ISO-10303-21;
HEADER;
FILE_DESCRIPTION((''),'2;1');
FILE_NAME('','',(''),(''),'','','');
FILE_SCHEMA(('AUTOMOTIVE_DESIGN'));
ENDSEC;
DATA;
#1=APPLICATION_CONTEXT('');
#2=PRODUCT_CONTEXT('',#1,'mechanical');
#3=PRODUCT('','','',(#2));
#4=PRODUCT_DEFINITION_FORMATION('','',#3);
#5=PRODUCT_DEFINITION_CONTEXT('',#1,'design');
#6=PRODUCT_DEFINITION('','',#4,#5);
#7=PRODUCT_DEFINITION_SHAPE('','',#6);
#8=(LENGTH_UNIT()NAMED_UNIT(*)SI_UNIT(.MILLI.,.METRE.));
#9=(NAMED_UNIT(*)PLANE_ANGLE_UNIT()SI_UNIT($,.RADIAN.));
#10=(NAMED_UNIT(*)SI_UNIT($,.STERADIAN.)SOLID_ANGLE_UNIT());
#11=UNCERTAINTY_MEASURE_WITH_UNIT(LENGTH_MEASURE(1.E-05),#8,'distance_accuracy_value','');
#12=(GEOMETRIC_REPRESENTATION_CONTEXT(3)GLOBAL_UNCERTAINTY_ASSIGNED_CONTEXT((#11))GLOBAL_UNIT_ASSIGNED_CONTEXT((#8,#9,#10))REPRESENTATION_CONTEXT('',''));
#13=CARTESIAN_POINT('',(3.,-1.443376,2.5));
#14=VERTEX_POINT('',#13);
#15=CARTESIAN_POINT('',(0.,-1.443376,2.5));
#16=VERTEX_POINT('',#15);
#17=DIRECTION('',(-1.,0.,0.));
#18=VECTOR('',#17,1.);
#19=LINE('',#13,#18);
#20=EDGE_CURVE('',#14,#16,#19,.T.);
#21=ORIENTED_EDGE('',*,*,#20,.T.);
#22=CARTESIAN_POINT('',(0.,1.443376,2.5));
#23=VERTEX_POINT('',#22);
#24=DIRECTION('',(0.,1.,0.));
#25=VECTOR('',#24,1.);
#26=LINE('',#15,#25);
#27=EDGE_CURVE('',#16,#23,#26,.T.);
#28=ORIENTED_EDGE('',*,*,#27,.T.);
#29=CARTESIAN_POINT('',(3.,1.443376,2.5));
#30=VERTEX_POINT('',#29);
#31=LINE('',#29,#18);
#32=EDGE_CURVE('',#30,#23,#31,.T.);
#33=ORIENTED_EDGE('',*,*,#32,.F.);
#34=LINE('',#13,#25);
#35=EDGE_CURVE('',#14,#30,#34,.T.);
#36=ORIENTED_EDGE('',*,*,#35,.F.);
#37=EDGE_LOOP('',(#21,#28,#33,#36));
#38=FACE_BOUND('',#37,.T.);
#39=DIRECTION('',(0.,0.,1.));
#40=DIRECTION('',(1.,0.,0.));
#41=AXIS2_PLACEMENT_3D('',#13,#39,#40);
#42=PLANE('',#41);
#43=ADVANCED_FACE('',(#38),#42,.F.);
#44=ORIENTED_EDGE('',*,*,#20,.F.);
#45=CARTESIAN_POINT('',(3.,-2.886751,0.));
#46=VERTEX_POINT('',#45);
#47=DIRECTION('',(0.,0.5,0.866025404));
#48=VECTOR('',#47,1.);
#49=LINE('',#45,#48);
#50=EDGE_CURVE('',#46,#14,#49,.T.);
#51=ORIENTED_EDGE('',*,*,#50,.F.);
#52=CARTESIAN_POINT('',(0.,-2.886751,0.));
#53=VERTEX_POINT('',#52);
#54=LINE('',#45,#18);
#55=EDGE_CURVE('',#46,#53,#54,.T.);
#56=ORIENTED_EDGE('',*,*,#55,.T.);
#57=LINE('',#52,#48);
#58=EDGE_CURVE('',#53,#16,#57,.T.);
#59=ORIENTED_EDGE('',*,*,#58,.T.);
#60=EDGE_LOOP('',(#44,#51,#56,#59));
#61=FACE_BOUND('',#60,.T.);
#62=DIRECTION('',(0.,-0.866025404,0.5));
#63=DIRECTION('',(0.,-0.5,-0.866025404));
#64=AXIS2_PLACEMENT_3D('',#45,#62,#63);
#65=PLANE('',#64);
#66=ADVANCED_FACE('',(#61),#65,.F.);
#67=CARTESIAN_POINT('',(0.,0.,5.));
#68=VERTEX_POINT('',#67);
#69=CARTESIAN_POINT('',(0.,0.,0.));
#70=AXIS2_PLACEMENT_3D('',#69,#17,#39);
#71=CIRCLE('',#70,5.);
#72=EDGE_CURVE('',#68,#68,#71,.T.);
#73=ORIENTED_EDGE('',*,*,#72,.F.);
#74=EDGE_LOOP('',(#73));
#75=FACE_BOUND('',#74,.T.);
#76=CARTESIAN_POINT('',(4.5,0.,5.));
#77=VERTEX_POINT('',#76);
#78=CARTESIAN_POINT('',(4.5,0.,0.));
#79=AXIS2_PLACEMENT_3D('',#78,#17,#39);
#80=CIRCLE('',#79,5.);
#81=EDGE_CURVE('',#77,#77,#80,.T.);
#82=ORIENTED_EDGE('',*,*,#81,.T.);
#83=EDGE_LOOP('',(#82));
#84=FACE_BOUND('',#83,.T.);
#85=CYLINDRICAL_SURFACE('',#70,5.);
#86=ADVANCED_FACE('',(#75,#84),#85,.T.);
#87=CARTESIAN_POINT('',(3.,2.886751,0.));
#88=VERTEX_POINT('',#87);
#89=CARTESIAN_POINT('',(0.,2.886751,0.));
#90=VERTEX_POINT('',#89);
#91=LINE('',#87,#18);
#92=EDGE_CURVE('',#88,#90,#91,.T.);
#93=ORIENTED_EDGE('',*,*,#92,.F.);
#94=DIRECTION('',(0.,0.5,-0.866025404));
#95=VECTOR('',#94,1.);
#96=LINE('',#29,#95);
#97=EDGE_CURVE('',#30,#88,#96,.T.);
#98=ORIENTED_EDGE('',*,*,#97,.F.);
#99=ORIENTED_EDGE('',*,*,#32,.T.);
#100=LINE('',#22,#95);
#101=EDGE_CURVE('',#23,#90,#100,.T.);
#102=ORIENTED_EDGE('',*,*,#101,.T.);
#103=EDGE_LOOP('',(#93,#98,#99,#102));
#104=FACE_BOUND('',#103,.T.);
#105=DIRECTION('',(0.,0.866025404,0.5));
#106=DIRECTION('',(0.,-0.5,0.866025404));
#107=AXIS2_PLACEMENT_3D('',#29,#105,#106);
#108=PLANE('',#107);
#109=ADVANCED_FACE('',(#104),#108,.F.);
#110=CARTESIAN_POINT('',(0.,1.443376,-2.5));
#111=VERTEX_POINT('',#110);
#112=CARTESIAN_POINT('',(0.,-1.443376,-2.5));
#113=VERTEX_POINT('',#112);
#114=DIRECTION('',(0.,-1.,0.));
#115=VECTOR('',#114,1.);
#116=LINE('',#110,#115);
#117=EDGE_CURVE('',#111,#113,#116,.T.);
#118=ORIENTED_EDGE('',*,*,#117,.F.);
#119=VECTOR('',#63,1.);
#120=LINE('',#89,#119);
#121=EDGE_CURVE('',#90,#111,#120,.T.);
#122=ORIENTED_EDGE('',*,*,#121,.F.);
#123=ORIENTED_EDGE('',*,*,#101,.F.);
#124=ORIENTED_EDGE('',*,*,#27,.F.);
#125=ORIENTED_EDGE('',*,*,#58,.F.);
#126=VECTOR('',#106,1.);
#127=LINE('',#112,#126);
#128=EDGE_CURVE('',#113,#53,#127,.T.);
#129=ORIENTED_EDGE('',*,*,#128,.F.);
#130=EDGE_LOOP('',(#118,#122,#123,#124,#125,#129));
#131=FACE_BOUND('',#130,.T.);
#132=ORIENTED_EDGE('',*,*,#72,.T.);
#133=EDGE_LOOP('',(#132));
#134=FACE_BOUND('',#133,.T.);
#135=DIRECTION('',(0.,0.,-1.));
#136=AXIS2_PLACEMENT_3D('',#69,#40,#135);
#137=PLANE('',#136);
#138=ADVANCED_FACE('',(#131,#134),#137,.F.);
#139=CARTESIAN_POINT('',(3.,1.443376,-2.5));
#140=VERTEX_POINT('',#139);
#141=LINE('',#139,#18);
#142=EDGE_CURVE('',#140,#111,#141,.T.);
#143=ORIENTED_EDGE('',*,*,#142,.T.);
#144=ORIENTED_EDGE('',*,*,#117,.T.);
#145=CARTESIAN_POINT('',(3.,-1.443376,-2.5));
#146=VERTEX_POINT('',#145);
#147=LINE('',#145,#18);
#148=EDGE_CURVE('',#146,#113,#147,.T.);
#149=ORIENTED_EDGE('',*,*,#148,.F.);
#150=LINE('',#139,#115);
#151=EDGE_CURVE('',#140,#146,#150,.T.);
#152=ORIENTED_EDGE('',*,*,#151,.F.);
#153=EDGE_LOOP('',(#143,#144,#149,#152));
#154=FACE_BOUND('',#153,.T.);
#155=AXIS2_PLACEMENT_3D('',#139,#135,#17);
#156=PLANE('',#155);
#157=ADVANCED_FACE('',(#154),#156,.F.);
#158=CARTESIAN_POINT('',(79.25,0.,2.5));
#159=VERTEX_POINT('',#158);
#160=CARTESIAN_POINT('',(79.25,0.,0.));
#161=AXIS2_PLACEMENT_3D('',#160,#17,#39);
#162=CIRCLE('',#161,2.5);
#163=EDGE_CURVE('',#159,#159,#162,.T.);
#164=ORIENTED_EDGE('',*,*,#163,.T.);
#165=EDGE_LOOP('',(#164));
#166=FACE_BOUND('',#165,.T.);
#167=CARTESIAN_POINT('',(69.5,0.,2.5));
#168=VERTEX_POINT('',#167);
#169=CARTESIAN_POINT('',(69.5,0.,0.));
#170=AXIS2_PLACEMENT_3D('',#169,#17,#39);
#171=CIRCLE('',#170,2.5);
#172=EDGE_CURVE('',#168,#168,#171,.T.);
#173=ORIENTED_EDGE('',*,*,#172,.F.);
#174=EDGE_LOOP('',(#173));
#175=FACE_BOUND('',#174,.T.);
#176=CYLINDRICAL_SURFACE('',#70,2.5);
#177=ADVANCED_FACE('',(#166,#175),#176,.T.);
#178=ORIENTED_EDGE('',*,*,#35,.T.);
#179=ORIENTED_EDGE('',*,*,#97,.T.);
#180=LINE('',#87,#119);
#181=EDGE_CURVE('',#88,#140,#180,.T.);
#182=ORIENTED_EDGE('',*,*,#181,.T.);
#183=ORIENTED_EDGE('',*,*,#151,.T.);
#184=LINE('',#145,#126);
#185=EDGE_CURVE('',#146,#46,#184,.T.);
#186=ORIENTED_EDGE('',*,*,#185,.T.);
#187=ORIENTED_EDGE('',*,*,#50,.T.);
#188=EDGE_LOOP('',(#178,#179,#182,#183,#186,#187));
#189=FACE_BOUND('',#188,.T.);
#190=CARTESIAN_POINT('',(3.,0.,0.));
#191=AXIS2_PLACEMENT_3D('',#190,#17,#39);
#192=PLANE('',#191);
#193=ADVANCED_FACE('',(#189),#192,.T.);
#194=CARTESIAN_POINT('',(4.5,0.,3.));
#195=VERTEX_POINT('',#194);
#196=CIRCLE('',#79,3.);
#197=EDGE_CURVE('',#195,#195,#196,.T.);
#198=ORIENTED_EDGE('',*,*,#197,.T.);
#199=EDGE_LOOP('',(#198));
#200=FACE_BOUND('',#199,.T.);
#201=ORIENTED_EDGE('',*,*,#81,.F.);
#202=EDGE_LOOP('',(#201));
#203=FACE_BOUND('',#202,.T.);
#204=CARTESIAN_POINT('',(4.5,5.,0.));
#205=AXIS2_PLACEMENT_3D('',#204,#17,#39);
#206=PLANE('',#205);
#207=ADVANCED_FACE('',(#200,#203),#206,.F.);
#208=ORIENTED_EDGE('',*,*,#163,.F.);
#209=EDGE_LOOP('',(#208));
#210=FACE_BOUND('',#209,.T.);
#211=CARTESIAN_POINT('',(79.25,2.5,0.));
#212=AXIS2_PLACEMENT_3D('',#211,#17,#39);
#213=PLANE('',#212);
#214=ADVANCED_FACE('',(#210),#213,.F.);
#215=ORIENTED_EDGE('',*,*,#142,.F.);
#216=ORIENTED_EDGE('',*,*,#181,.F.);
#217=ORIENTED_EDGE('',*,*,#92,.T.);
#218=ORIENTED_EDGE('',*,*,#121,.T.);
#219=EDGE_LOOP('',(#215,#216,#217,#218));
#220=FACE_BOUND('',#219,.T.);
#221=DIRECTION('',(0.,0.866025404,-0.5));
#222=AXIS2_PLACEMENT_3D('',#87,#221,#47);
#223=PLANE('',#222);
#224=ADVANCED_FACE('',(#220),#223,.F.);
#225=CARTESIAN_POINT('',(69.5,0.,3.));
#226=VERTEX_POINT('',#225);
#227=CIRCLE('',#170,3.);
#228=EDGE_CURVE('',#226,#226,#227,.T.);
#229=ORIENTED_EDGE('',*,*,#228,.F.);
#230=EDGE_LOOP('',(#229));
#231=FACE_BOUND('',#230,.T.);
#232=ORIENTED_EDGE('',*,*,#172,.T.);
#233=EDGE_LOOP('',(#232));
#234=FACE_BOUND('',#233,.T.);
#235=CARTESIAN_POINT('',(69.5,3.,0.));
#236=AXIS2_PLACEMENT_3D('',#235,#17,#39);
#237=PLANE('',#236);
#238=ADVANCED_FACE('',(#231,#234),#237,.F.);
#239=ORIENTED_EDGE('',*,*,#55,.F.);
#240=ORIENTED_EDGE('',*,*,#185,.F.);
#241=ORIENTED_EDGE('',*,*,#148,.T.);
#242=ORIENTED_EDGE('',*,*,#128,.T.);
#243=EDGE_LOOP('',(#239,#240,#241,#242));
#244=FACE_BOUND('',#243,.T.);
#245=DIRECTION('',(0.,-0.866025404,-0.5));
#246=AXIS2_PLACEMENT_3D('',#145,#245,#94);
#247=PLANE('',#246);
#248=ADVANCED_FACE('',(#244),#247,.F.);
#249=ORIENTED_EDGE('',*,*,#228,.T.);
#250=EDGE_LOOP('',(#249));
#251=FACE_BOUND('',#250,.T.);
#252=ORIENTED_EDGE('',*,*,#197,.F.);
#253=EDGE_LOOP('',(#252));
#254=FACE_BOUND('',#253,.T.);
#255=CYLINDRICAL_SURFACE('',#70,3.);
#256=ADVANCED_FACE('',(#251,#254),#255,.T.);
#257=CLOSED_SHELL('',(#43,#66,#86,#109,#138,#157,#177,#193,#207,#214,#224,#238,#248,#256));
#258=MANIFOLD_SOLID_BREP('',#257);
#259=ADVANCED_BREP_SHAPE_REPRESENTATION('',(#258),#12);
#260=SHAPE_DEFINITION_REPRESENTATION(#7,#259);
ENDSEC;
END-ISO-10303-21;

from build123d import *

# Parameters (mm, degrees)
CUT_EXTRUDE_1_DEPTH = 3


with BuildPart() as part:
    # 草图1 → 旋转1 (revolve)
    with BuildSketch(Plane.XY, mode=Mode.PRIVATE) as revolve_1_sk:
        Polygon((0, 0), (0, 5), (4.5, 5), (4.5, 3), (69.5, 3), (69.5, 2.5), (79.25, 2.5), (79.25, 0), align=None)
    revolve(revolve_1_sk.sketch.rotate(Axis((0, 0, 0), (1, 0, 0)), 90), axis=Axis((0, 0, 0), (1, 0, 0)))

    # 草图2 → 切除-拉伸1 (cut)
    with BuildSketch(Plane.ZY):
        Polygon((0, 2.886751346), (-2.5, 1.443375673), (-2.5, -1.443375673), (0, -2.886751346), (2.5, -1.443375673), (2.5, 1.443375673), align=None)
    extrude(amount=-CUT_EXTRUDE_1_DEPTH, mode=Mode.SUBTRACT)


solid = part.part
